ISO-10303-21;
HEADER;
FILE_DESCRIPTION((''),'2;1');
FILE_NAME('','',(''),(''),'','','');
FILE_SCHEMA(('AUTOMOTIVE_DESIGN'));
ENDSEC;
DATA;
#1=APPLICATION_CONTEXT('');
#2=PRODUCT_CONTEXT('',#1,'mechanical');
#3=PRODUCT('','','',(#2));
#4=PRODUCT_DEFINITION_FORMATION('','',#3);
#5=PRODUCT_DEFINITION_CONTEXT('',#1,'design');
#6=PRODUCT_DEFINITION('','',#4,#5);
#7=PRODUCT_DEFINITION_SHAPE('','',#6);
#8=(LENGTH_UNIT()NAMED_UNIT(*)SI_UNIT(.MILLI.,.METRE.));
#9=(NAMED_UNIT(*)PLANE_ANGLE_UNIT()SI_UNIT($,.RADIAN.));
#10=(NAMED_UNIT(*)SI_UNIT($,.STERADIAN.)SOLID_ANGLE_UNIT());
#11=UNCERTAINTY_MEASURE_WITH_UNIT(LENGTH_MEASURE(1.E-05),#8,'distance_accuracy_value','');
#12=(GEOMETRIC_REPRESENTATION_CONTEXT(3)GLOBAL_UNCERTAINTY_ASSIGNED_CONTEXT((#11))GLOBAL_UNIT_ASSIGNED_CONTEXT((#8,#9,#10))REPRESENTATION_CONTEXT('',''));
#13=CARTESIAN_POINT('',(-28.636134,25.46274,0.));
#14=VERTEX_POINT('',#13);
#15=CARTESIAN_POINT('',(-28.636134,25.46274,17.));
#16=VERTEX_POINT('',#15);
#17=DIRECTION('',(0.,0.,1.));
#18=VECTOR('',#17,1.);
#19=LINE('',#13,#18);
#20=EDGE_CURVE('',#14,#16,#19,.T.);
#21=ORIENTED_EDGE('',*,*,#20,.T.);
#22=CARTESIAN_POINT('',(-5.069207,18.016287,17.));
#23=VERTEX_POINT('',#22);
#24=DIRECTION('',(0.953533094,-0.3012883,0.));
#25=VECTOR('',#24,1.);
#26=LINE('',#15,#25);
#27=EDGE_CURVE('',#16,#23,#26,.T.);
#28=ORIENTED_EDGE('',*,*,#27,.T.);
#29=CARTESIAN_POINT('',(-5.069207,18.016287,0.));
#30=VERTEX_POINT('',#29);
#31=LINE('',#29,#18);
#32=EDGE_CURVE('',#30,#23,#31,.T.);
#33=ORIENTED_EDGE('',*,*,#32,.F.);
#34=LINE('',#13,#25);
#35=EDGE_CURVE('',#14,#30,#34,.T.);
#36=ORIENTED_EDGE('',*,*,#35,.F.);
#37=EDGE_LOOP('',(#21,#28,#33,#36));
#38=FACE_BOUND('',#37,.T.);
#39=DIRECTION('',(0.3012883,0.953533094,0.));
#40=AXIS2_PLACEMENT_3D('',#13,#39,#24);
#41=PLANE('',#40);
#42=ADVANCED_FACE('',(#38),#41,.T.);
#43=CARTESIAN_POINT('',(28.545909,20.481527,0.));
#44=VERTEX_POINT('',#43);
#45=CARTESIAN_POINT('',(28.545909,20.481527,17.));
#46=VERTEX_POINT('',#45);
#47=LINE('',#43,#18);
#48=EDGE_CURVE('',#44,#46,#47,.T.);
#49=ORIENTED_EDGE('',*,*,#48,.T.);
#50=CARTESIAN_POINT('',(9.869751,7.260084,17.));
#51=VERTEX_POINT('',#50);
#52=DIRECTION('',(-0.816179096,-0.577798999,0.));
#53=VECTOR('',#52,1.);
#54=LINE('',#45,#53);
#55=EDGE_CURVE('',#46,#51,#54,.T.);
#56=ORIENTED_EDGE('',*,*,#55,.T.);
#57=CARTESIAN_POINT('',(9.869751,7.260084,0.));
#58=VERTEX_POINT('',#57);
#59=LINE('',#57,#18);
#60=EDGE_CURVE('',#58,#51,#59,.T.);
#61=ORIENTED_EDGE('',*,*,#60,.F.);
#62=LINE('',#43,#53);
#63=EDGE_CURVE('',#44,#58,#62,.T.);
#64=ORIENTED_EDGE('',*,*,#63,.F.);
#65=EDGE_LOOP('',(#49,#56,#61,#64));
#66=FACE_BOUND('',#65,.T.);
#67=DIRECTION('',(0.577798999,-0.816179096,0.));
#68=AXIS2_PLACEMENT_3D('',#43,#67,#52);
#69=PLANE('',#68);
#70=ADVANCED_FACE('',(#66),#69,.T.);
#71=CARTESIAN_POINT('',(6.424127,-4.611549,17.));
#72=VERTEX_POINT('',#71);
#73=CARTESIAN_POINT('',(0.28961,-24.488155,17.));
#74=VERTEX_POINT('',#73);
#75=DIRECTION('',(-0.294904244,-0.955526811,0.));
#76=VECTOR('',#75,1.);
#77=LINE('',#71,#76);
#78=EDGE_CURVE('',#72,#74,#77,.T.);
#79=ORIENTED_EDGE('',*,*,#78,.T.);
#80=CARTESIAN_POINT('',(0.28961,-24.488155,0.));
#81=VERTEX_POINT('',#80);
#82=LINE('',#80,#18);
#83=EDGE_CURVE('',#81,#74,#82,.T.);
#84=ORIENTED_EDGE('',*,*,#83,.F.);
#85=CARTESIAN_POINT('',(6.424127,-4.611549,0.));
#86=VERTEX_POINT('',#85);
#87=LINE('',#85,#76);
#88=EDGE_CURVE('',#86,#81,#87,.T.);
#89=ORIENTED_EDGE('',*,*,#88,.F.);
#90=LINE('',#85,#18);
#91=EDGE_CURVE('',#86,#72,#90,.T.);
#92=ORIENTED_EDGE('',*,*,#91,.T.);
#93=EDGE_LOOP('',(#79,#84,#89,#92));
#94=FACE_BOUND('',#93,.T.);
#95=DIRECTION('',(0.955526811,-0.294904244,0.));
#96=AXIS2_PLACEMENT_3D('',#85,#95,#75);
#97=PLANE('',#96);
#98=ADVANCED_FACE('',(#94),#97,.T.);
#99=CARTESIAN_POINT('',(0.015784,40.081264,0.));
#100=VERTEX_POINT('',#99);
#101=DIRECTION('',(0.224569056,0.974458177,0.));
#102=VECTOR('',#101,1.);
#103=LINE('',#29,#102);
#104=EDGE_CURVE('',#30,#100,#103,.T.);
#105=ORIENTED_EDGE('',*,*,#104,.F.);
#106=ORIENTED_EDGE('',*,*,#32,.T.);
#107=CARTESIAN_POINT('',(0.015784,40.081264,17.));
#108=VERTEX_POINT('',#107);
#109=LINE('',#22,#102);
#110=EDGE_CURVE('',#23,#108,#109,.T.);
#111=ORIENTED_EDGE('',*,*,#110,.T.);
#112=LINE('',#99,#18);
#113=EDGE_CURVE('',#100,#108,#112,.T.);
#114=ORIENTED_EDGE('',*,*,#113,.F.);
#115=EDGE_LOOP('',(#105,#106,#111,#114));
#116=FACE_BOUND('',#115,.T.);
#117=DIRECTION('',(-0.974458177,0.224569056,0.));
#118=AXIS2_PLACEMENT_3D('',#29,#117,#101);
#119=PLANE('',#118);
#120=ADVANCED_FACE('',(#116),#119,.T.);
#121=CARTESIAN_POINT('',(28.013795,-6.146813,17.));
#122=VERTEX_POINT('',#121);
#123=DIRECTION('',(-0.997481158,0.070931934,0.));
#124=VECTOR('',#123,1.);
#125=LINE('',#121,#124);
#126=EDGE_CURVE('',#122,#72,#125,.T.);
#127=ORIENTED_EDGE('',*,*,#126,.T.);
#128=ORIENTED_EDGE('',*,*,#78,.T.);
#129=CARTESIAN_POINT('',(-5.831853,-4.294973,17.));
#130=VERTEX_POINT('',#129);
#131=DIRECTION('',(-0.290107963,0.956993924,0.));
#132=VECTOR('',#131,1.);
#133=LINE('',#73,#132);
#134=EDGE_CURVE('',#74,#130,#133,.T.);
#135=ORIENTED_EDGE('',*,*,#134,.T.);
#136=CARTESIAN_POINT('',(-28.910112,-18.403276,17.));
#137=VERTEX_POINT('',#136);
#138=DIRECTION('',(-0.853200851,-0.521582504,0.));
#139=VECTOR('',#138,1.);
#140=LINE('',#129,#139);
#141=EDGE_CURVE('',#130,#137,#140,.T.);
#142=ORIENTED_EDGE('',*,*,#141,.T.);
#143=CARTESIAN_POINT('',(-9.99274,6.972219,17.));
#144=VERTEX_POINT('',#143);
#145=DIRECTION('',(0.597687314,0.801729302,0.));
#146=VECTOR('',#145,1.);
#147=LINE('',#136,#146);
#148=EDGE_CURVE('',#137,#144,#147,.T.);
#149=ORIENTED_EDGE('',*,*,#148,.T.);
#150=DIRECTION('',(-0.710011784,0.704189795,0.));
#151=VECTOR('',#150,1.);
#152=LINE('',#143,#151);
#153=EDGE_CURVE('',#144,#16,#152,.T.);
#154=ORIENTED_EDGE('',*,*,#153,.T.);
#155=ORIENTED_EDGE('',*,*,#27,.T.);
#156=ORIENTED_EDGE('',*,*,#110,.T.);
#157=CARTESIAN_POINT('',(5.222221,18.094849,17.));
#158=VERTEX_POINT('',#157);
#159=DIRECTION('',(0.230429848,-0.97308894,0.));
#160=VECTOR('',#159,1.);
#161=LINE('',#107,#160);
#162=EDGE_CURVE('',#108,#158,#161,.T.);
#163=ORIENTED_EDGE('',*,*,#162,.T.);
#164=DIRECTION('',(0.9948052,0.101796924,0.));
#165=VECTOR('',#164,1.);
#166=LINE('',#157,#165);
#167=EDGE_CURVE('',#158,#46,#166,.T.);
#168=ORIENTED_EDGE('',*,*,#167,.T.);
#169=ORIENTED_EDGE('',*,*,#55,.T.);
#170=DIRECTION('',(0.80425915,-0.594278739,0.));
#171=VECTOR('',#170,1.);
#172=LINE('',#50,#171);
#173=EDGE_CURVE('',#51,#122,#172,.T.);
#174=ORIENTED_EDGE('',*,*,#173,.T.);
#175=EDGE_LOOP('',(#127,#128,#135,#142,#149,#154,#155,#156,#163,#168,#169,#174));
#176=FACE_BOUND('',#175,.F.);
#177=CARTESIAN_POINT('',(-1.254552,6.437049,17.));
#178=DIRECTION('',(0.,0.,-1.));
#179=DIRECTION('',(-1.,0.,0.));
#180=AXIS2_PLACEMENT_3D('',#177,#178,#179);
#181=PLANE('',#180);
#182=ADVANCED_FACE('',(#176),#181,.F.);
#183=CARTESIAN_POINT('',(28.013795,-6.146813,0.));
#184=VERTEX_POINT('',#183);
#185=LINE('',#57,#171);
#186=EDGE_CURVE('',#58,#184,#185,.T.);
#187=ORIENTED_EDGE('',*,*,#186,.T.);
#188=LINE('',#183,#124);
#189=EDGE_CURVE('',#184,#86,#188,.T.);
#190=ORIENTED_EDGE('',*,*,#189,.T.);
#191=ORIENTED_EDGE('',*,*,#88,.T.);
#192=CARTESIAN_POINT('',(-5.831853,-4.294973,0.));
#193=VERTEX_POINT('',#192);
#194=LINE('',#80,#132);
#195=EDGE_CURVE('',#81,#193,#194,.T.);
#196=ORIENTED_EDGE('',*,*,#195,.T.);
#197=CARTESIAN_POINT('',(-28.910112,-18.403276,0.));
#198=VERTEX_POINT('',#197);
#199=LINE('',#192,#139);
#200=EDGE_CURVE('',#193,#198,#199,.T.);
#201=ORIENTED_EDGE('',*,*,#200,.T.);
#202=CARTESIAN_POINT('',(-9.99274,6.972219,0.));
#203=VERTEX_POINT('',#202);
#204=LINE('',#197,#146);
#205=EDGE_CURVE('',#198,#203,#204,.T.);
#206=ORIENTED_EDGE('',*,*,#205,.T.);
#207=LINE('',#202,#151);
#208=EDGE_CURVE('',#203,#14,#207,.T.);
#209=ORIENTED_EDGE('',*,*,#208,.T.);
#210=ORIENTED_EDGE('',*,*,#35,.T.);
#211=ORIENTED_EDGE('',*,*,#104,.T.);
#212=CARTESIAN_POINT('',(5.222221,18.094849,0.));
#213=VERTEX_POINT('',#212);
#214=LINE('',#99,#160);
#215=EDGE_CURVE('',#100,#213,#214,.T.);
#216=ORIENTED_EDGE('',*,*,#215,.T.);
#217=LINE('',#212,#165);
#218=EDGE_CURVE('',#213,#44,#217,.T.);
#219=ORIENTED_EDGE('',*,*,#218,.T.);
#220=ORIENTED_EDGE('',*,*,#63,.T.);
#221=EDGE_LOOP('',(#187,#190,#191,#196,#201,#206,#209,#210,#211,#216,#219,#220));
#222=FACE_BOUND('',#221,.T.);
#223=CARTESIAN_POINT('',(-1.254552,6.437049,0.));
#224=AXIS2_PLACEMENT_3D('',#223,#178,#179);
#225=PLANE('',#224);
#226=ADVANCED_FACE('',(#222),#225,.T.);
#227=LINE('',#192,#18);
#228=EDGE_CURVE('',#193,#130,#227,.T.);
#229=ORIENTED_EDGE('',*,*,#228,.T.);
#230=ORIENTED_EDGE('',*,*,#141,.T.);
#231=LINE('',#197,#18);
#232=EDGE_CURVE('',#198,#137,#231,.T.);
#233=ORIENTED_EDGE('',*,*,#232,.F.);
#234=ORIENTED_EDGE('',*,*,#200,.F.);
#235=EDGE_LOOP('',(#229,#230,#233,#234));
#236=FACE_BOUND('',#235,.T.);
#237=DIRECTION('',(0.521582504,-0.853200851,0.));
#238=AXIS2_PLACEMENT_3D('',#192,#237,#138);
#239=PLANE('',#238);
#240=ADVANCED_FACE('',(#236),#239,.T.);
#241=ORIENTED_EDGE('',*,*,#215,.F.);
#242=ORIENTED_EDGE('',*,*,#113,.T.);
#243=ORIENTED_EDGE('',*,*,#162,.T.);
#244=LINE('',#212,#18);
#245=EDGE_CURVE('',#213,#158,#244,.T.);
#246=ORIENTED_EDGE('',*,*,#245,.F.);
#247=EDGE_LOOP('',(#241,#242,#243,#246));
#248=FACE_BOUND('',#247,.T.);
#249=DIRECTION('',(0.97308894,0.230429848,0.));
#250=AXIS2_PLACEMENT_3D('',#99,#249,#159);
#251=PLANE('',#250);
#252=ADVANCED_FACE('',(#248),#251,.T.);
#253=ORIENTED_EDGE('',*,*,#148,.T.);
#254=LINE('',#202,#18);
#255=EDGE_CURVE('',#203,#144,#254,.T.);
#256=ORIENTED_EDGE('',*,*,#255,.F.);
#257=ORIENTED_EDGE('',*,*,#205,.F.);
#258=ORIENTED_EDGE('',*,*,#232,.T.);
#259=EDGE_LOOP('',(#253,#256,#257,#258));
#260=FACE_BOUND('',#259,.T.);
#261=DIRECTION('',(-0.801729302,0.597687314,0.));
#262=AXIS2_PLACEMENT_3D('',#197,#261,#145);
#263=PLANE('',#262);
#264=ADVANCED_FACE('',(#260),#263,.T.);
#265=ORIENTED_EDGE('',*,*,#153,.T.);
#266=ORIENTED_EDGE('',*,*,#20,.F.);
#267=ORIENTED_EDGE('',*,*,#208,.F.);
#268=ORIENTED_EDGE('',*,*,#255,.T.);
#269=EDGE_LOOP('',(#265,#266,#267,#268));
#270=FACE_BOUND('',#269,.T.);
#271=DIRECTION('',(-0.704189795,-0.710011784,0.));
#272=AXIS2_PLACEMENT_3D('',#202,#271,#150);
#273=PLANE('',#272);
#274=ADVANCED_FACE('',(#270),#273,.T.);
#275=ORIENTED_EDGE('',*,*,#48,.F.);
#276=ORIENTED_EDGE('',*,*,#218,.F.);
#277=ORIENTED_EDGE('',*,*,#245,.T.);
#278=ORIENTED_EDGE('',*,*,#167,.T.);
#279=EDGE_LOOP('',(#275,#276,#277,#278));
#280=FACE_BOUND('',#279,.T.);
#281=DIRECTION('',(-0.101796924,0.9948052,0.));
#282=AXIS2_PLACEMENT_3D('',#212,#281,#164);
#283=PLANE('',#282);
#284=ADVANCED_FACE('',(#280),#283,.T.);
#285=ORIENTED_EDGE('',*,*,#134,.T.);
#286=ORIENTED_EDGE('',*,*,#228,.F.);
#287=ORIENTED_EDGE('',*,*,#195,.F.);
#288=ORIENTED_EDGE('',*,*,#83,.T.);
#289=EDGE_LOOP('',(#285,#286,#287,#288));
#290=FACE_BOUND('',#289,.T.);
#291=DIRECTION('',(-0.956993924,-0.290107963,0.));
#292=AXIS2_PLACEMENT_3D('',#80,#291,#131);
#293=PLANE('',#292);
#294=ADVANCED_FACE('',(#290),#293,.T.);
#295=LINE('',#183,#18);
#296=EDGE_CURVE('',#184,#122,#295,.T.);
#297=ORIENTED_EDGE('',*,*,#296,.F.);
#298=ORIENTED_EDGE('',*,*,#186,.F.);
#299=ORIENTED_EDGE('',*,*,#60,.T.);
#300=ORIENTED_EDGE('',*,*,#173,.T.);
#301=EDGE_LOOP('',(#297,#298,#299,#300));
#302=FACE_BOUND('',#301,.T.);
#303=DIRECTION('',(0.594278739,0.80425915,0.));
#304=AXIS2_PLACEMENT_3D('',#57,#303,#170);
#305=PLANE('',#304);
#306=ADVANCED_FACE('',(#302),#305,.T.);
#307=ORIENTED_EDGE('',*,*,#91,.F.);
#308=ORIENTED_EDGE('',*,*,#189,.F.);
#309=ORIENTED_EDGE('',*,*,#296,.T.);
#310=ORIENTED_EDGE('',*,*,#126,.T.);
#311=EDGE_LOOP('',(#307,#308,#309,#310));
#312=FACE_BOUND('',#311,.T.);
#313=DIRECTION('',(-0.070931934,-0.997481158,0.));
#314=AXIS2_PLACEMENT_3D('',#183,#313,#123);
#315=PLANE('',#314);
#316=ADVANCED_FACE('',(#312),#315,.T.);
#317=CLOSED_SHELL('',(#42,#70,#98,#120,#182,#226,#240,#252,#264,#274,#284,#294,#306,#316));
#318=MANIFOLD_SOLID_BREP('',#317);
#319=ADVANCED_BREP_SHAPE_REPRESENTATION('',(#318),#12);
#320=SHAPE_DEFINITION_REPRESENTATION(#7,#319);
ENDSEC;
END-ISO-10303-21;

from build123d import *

# Parameters (mm, degrees)
PAD_DEPTH = 17


with BuildPart() as part:
    # Sketch001 → Pad (new body)
    with BuildSketch(Plane.XY):
        Polygon((0.015784, 40.081264), (5.222221, 18.094849), (28.545909, 20.481527), (9.869751, 7.260084), (28.013795, -6.146813), (6.424127, -4.611549), (0.28961, -24.488155), (-5.831853, -4.294973), (-28.910112, -18.403276), (-9.99274, 6.972219), (-28.636134, 25.46274), (-5.069207, 18.016287), align=None)
    extrude(amount=PAD_DEPTH)


solid = part.part
